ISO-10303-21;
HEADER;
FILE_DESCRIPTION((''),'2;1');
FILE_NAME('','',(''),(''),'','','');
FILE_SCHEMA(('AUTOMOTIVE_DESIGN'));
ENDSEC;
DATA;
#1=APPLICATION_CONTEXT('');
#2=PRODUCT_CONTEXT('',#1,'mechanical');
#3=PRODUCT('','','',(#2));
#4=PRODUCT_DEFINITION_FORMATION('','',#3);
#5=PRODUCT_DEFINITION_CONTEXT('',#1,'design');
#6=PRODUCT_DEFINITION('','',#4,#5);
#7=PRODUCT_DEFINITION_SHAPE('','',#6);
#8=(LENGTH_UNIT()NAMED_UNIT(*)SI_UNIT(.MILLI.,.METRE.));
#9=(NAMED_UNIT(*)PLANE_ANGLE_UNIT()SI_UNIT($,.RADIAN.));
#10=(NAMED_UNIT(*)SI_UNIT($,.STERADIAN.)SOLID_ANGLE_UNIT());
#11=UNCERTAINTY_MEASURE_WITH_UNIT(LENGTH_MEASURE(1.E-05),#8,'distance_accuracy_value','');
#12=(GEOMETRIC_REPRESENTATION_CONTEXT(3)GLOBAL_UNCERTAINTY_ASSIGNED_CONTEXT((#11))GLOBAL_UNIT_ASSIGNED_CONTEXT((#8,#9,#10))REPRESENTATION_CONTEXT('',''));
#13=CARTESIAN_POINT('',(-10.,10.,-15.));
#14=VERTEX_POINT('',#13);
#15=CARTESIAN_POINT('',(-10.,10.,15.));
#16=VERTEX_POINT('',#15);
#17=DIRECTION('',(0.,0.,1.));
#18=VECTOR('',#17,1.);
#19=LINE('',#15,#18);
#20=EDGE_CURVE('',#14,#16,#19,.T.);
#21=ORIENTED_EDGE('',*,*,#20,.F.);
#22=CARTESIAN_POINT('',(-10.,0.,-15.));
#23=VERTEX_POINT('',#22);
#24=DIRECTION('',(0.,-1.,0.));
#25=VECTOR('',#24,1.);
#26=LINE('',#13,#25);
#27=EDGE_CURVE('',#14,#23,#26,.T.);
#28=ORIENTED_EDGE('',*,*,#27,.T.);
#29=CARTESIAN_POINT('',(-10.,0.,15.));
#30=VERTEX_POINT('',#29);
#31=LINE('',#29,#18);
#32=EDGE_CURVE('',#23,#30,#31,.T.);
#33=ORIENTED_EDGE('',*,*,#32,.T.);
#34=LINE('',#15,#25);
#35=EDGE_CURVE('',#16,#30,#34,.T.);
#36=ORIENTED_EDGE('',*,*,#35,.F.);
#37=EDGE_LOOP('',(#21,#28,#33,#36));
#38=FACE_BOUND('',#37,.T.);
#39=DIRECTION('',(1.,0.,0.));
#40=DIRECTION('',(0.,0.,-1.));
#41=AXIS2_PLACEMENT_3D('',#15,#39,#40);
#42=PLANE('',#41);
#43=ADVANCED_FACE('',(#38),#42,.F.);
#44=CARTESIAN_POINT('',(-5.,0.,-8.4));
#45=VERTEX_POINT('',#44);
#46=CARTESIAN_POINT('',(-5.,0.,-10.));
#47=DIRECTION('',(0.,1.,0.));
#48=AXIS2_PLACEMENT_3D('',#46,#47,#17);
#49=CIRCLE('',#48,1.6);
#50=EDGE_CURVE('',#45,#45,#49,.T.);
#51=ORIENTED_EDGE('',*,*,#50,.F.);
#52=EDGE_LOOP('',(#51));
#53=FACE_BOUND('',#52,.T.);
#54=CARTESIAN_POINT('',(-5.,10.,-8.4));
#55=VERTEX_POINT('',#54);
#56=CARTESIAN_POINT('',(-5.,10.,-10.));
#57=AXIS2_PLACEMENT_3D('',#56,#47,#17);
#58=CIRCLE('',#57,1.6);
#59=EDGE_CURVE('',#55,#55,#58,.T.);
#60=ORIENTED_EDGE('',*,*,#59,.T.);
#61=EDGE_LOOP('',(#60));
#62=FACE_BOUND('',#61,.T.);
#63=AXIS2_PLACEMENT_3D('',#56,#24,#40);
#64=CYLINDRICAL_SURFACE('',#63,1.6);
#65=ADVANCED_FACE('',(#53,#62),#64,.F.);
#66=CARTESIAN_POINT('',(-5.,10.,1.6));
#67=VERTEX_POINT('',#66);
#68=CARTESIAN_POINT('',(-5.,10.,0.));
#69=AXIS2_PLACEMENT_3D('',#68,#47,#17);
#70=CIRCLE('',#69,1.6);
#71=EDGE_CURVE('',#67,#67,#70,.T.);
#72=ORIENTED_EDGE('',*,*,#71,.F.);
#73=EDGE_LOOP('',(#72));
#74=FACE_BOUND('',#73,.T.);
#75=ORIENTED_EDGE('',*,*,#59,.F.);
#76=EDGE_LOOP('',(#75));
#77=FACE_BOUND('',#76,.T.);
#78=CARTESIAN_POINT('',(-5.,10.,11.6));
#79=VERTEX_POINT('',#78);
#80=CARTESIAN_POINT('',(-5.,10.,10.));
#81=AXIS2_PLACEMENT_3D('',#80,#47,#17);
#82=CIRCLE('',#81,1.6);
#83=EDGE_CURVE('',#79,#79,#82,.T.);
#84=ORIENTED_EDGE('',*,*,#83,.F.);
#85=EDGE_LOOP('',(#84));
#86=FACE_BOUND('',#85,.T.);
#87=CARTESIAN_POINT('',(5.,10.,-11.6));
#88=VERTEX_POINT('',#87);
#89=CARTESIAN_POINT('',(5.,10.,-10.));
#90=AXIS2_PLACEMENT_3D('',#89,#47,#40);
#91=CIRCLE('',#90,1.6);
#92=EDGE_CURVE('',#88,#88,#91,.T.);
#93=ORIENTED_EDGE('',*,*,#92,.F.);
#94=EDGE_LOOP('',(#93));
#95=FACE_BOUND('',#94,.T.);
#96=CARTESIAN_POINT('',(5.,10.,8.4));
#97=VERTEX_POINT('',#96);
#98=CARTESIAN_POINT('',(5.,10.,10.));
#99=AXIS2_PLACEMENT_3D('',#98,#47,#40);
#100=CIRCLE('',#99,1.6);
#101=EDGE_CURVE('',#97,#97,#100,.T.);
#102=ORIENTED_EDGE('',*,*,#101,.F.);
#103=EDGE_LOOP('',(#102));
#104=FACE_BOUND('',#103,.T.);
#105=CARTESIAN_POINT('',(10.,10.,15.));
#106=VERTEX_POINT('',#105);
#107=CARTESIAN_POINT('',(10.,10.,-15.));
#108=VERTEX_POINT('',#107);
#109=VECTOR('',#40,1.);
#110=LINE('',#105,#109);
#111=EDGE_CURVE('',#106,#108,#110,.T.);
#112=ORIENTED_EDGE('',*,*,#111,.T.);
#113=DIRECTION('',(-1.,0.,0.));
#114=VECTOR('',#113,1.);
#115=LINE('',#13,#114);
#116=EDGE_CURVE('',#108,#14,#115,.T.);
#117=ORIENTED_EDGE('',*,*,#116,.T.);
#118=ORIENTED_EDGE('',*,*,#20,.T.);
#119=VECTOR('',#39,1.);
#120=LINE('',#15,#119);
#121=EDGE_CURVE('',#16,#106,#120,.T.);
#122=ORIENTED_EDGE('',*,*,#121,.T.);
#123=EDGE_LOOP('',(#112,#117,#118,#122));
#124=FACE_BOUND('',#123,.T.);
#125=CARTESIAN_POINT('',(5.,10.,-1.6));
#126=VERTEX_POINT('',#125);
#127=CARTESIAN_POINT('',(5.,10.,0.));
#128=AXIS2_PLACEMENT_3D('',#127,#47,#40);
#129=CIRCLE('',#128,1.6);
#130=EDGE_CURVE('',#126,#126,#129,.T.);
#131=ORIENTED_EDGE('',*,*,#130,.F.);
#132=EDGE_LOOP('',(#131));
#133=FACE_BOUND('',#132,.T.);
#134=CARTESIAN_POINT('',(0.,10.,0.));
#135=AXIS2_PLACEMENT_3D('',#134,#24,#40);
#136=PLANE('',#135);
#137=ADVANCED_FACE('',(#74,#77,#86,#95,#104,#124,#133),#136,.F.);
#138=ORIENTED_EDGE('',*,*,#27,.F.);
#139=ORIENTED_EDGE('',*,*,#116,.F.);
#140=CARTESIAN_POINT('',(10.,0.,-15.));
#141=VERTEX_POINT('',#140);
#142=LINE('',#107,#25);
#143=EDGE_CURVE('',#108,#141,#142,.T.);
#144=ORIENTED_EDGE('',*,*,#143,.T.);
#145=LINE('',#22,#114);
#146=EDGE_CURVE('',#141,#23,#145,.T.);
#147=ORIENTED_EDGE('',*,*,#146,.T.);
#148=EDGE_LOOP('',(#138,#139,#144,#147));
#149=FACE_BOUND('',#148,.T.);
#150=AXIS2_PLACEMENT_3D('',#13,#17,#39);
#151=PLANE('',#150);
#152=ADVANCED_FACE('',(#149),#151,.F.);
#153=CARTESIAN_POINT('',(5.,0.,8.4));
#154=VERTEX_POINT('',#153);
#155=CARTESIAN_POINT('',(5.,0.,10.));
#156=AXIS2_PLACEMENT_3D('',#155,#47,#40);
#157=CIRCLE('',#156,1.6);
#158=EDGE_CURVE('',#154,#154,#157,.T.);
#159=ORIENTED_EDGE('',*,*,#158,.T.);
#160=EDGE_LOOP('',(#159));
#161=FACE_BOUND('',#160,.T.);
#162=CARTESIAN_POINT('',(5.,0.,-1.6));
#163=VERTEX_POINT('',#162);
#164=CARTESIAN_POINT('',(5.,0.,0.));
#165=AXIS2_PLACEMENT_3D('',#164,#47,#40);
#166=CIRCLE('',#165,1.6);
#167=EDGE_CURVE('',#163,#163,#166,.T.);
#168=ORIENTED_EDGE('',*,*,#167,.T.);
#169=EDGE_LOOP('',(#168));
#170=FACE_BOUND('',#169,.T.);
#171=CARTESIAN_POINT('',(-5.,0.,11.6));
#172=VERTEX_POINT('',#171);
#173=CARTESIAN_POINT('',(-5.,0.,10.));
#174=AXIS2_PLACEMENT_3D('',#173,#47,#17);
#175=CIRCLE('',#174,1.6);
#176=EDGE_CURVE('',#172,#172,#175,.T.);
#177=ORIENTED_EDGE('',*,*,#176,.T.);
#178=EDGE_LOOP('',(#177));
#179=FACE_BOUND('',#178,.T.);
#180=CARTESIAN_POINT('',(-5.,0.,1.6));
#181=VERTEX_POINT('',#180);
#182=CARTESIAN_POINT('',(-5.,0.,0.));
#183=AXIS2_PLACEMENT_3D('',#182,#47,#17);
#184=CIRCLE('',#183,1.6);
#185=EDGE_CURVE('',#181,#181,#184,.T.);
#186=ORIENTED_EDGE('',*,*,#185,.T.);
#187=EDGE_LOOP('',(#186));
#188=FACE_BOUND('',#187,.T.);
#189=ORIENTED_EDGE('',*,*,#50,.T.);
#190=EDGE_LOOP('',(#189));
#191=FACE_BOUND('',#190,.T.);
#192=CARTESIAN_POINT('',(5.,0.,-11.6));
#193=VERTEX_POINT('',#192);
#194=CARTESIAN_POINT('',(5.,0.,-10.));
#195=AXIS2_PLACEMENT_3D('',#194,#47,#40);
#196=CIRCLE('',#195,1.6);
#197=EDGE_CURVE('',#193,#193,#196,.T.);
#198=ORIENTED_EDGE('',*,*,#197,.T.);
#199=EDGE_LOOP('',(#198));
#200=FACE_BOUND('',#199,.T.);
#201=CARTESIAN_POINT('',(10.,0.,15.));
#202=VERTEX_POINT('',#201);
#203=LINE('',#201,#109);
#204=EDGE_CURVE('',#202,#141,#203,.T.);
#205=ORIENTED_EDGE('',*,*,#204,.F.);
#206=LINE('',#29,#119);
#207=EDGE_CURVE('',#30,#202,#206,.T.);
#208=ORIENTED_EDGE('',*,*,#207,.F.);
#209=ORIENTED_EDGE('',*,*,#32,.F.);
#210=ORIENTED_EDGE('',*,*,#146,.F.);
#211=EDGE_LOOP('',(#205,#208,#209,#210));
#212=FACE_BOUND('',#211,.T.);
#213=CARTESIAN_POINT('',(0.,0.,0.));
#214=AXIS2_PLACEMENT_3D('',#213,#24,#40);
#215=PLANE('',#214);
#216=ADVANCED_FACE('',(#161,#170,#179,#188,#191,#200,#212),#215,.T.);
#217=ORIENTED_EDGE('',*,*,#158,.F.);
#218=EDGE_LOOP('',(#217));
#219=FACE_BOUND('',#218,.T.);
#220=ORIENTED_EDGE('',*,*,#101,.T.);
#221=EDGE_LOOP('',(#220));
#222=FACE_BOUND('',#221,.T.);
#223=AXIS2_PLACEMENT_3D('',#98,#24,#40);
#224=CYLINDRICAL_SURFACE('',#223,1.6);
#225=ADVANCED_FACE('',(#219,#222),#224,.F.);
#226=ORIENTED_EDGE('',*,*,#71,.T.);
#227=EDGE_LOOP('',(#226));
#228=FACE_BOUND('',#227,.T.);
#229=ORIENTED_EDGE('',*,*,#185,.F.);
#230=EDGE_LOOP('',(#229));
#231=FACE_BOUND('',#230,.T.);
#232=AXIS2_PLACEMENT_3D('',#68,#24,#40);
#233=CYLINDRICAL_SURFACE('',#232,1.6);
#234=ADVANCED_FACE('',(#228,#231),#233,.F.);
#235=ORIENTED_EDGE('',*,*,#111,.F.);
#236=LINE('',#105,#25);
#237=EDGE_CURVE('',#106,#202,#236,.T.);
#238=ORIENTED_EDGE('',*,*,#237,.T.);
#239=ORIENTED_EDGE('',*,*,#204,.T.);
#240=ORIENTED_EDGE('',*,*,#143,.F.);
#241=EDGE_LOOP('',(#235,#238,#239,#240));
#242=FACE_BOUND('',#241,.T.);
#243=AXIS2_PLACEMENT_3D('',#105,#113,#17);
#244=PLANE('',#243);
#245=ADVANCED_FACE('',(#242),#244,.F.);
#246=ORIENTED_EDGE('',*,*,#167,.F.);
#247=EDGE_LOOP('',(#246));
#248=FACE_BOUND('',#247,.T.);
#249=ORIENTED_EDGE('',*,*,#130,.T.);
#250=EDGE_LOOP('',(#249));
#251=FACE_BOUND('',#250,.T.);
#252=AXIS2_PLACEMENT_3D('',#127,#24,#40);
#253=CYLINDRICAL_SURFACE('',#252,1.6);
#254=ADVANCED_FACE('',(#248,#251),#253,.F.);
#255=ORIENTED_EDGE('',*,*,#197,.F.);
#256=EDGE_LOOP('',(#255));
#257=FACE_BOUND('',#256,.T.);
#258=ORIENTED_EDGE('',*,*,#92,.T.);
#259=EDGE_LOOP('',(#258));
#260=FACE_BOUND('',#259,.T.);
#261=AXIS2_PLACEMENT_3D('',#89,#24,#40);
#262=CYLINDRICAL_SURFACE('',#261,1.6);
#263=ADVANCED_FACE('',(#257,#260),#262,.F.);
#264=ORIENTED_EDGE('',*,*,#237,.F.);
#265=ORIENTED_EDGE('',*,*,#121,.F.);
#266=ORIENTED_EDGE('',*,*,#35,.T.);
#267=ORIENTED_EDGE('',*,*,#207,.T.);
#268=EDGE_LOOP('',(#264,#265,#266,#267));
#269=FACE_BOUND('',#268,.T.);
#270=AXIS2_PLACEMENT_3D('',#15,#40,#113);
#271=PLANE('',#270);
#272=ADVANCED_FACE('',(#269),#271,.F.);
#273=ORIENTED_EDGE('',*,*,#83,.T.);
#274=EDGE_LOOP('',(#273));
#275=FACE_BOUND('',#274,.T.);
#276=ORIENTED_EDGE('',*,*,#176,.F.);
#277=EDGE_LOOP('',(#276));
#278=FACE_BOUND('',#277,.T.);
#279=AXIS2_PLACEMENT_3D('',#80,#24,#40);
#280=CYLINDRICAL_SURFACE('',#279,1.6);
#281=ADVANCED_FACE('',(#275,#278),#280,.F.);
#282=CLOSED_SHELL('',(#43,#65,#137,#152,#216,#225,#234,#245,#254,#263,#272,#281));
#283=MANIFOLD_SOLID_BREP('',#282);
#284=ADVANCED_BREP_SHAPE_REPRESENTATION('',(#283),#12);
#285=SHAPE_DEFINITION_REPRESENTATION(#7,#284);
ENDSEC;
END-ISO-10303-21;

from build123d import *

# Parameters (mm, degrees)
SKETCH_1_W      = 20
SKETCH_1_H      = 30
SKETCH_1_R      = 1.6
EXTRUDE_1_DEPTH = 10


with BuildPart() as part:
    # 草图1 → 凸台-拉伸1 (new body)
    with BuildSketch(Plane(origin=(0, 0, 0), x_dir=(1, 0, 0), z_dir=(0, 1, 0))):
        Rectangle(SKETCH_1_W, SKETCH_1_H)
        with Locations(Location((-5, 0, 0), (0, 0, 270))):
            Circle(SKETCH_1_R, mode=Mode.SUBTRACT)
        with Locations(Location((-5, 10, 0), (0, 0, 270))):
            Circle(SKETCH_1_R, mode=Mode.SUBTRACT)
        with Locations(Location((-5, -10, 0), (0, 0, 270))):
            Circle(SKETCH_1_R, mode=Mode.SUBTRACT)
        with Locations(Location((5, -10, 0), (0, 0, 90))):
            Circle(SKETCH_1_R, mode=Mode.SUBTRACT)
        with Locations(Location((5, 0, 0), (0, 0, 90))):
            Circle(SKETCH_1_R, mode=Mode.SUBTRACT)
        with Locations(Location((5, 10, 0), (0, 0, 90))):
            Circle(SKETCH_1_R, mode=Mode.SUBTRACT)
    extrude(amount=EXTRUDE_1_DEPTH)


solid = part.part
